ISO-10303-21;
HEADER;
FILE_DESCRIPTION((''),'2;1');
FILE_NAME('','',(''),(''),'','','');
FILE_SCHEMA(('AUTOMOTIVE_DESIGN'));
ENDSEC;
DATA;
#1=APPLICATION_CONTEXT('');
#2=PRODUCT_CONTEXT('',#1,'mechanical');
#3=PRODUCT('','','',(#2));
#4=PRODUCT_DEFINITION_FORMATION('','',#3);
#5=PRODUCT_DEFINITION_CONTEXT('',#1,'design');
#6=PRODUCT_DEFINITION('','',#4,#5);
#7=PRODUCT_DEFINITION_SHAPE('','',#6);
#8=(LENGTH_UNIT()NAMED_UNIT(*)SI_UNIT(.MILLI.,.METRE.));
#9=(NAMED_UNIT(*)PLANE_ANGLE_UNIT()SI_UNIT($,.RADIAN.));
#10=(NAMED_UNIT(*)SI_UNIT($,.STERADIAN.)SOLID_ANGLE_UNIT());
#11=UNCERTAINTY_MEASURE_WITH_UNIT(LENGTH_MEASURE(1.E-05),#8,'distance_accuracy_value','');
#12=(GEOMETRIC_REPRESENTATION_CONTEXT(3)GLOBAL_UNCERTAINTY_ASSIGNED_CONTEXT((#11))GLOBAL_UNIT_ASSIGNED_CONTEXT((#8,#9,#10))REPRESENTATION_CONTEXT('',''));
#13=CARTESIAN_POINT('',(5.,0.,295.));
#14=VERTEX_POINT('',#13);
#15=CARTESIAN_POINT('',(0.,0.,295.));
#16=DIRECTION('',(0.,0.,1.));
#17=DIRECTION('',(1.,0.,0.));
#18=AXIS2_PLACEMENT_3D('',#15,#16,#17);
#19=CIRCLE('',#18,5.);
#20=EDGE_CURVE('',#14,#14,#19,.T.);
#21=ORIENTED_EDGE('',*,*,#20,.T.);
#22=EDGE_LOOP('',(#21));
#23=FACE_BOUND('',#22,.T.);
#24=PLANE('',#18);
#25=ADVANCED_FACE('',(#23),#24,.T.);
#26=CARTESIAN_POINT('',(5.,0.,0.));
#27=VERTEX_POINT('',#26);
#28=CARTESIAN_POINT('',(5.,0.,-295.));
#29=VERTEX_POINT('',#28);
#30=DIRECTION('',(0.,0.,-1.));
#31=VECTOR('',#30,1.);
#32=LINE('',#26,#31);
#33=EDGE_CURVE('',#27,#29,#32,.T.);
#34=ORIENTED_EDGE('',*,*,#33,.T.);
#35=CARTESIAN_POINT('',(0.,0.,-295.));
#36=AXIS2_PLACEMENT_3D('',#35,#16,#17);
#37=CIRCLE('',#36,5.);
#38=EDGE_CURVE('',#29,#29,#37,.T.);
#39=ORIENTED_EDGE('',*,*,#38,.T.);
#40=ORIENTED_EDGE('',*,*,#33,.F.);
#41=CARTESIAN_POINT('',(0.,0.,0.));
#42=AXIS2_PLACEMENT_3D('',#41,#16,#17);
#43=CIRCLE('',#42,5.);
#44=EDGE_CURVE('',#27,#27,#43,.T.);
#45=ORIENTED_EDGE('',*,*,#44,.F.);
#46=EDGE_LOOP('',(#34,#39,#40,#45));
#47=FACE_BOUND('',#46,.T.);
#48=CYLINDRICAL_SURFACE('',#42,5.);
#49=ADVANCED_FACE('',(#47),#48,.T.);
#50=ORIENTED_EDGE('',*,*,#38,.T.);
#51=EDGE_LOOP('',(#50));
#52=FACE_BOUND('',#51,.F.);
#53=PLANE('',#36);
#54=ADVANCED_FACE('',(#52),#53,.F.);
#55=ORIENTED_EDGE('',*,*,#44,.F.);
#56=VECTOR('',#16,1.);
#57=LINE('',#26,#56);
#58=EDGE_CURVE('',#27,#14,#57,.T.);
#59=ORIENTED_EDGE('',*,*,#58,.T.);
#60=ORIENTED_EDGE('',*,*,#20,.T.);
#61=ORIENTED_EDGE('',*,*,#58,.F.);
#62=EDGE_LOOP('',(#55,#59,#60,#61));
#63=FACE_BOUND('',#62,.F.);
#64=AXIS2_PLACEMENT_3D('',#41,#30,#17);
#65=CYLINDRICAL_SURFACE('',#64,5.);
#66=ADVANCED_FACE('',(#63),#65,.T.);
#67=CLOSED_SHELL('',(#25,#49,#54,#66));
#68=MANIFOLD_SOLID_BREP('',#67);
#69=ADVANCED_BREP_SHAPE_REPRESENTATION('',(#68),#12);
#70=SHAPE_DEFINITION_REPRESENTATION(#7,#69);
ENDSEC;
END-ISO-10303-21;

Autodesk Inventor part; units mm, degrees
ref_plane "YZ Plane" through (0, 0, 0) normal (1, 0, 0) x (0, 1, 0)
ref_plane "XZ Plane" through (0, 0, 0) normal (0, 1, 0) x (-1, 0, 0)
ref_plane "XY Plane" through (0, 0, 0) normal (0, 0, 1) x (1, 0, 0)
sketch "Sketch1" plane through (0, 0, 0) normal (0, 0, 1) x (1, 0, 0)
  circle A0 centre (0, 0) radius 5
  dimension "d0" = 10
extrude "Extrusion1" add sketch "Sketch1" along normal mid plane 590
properties part number "0008-10-1010 Bara 10" material "Steel"
